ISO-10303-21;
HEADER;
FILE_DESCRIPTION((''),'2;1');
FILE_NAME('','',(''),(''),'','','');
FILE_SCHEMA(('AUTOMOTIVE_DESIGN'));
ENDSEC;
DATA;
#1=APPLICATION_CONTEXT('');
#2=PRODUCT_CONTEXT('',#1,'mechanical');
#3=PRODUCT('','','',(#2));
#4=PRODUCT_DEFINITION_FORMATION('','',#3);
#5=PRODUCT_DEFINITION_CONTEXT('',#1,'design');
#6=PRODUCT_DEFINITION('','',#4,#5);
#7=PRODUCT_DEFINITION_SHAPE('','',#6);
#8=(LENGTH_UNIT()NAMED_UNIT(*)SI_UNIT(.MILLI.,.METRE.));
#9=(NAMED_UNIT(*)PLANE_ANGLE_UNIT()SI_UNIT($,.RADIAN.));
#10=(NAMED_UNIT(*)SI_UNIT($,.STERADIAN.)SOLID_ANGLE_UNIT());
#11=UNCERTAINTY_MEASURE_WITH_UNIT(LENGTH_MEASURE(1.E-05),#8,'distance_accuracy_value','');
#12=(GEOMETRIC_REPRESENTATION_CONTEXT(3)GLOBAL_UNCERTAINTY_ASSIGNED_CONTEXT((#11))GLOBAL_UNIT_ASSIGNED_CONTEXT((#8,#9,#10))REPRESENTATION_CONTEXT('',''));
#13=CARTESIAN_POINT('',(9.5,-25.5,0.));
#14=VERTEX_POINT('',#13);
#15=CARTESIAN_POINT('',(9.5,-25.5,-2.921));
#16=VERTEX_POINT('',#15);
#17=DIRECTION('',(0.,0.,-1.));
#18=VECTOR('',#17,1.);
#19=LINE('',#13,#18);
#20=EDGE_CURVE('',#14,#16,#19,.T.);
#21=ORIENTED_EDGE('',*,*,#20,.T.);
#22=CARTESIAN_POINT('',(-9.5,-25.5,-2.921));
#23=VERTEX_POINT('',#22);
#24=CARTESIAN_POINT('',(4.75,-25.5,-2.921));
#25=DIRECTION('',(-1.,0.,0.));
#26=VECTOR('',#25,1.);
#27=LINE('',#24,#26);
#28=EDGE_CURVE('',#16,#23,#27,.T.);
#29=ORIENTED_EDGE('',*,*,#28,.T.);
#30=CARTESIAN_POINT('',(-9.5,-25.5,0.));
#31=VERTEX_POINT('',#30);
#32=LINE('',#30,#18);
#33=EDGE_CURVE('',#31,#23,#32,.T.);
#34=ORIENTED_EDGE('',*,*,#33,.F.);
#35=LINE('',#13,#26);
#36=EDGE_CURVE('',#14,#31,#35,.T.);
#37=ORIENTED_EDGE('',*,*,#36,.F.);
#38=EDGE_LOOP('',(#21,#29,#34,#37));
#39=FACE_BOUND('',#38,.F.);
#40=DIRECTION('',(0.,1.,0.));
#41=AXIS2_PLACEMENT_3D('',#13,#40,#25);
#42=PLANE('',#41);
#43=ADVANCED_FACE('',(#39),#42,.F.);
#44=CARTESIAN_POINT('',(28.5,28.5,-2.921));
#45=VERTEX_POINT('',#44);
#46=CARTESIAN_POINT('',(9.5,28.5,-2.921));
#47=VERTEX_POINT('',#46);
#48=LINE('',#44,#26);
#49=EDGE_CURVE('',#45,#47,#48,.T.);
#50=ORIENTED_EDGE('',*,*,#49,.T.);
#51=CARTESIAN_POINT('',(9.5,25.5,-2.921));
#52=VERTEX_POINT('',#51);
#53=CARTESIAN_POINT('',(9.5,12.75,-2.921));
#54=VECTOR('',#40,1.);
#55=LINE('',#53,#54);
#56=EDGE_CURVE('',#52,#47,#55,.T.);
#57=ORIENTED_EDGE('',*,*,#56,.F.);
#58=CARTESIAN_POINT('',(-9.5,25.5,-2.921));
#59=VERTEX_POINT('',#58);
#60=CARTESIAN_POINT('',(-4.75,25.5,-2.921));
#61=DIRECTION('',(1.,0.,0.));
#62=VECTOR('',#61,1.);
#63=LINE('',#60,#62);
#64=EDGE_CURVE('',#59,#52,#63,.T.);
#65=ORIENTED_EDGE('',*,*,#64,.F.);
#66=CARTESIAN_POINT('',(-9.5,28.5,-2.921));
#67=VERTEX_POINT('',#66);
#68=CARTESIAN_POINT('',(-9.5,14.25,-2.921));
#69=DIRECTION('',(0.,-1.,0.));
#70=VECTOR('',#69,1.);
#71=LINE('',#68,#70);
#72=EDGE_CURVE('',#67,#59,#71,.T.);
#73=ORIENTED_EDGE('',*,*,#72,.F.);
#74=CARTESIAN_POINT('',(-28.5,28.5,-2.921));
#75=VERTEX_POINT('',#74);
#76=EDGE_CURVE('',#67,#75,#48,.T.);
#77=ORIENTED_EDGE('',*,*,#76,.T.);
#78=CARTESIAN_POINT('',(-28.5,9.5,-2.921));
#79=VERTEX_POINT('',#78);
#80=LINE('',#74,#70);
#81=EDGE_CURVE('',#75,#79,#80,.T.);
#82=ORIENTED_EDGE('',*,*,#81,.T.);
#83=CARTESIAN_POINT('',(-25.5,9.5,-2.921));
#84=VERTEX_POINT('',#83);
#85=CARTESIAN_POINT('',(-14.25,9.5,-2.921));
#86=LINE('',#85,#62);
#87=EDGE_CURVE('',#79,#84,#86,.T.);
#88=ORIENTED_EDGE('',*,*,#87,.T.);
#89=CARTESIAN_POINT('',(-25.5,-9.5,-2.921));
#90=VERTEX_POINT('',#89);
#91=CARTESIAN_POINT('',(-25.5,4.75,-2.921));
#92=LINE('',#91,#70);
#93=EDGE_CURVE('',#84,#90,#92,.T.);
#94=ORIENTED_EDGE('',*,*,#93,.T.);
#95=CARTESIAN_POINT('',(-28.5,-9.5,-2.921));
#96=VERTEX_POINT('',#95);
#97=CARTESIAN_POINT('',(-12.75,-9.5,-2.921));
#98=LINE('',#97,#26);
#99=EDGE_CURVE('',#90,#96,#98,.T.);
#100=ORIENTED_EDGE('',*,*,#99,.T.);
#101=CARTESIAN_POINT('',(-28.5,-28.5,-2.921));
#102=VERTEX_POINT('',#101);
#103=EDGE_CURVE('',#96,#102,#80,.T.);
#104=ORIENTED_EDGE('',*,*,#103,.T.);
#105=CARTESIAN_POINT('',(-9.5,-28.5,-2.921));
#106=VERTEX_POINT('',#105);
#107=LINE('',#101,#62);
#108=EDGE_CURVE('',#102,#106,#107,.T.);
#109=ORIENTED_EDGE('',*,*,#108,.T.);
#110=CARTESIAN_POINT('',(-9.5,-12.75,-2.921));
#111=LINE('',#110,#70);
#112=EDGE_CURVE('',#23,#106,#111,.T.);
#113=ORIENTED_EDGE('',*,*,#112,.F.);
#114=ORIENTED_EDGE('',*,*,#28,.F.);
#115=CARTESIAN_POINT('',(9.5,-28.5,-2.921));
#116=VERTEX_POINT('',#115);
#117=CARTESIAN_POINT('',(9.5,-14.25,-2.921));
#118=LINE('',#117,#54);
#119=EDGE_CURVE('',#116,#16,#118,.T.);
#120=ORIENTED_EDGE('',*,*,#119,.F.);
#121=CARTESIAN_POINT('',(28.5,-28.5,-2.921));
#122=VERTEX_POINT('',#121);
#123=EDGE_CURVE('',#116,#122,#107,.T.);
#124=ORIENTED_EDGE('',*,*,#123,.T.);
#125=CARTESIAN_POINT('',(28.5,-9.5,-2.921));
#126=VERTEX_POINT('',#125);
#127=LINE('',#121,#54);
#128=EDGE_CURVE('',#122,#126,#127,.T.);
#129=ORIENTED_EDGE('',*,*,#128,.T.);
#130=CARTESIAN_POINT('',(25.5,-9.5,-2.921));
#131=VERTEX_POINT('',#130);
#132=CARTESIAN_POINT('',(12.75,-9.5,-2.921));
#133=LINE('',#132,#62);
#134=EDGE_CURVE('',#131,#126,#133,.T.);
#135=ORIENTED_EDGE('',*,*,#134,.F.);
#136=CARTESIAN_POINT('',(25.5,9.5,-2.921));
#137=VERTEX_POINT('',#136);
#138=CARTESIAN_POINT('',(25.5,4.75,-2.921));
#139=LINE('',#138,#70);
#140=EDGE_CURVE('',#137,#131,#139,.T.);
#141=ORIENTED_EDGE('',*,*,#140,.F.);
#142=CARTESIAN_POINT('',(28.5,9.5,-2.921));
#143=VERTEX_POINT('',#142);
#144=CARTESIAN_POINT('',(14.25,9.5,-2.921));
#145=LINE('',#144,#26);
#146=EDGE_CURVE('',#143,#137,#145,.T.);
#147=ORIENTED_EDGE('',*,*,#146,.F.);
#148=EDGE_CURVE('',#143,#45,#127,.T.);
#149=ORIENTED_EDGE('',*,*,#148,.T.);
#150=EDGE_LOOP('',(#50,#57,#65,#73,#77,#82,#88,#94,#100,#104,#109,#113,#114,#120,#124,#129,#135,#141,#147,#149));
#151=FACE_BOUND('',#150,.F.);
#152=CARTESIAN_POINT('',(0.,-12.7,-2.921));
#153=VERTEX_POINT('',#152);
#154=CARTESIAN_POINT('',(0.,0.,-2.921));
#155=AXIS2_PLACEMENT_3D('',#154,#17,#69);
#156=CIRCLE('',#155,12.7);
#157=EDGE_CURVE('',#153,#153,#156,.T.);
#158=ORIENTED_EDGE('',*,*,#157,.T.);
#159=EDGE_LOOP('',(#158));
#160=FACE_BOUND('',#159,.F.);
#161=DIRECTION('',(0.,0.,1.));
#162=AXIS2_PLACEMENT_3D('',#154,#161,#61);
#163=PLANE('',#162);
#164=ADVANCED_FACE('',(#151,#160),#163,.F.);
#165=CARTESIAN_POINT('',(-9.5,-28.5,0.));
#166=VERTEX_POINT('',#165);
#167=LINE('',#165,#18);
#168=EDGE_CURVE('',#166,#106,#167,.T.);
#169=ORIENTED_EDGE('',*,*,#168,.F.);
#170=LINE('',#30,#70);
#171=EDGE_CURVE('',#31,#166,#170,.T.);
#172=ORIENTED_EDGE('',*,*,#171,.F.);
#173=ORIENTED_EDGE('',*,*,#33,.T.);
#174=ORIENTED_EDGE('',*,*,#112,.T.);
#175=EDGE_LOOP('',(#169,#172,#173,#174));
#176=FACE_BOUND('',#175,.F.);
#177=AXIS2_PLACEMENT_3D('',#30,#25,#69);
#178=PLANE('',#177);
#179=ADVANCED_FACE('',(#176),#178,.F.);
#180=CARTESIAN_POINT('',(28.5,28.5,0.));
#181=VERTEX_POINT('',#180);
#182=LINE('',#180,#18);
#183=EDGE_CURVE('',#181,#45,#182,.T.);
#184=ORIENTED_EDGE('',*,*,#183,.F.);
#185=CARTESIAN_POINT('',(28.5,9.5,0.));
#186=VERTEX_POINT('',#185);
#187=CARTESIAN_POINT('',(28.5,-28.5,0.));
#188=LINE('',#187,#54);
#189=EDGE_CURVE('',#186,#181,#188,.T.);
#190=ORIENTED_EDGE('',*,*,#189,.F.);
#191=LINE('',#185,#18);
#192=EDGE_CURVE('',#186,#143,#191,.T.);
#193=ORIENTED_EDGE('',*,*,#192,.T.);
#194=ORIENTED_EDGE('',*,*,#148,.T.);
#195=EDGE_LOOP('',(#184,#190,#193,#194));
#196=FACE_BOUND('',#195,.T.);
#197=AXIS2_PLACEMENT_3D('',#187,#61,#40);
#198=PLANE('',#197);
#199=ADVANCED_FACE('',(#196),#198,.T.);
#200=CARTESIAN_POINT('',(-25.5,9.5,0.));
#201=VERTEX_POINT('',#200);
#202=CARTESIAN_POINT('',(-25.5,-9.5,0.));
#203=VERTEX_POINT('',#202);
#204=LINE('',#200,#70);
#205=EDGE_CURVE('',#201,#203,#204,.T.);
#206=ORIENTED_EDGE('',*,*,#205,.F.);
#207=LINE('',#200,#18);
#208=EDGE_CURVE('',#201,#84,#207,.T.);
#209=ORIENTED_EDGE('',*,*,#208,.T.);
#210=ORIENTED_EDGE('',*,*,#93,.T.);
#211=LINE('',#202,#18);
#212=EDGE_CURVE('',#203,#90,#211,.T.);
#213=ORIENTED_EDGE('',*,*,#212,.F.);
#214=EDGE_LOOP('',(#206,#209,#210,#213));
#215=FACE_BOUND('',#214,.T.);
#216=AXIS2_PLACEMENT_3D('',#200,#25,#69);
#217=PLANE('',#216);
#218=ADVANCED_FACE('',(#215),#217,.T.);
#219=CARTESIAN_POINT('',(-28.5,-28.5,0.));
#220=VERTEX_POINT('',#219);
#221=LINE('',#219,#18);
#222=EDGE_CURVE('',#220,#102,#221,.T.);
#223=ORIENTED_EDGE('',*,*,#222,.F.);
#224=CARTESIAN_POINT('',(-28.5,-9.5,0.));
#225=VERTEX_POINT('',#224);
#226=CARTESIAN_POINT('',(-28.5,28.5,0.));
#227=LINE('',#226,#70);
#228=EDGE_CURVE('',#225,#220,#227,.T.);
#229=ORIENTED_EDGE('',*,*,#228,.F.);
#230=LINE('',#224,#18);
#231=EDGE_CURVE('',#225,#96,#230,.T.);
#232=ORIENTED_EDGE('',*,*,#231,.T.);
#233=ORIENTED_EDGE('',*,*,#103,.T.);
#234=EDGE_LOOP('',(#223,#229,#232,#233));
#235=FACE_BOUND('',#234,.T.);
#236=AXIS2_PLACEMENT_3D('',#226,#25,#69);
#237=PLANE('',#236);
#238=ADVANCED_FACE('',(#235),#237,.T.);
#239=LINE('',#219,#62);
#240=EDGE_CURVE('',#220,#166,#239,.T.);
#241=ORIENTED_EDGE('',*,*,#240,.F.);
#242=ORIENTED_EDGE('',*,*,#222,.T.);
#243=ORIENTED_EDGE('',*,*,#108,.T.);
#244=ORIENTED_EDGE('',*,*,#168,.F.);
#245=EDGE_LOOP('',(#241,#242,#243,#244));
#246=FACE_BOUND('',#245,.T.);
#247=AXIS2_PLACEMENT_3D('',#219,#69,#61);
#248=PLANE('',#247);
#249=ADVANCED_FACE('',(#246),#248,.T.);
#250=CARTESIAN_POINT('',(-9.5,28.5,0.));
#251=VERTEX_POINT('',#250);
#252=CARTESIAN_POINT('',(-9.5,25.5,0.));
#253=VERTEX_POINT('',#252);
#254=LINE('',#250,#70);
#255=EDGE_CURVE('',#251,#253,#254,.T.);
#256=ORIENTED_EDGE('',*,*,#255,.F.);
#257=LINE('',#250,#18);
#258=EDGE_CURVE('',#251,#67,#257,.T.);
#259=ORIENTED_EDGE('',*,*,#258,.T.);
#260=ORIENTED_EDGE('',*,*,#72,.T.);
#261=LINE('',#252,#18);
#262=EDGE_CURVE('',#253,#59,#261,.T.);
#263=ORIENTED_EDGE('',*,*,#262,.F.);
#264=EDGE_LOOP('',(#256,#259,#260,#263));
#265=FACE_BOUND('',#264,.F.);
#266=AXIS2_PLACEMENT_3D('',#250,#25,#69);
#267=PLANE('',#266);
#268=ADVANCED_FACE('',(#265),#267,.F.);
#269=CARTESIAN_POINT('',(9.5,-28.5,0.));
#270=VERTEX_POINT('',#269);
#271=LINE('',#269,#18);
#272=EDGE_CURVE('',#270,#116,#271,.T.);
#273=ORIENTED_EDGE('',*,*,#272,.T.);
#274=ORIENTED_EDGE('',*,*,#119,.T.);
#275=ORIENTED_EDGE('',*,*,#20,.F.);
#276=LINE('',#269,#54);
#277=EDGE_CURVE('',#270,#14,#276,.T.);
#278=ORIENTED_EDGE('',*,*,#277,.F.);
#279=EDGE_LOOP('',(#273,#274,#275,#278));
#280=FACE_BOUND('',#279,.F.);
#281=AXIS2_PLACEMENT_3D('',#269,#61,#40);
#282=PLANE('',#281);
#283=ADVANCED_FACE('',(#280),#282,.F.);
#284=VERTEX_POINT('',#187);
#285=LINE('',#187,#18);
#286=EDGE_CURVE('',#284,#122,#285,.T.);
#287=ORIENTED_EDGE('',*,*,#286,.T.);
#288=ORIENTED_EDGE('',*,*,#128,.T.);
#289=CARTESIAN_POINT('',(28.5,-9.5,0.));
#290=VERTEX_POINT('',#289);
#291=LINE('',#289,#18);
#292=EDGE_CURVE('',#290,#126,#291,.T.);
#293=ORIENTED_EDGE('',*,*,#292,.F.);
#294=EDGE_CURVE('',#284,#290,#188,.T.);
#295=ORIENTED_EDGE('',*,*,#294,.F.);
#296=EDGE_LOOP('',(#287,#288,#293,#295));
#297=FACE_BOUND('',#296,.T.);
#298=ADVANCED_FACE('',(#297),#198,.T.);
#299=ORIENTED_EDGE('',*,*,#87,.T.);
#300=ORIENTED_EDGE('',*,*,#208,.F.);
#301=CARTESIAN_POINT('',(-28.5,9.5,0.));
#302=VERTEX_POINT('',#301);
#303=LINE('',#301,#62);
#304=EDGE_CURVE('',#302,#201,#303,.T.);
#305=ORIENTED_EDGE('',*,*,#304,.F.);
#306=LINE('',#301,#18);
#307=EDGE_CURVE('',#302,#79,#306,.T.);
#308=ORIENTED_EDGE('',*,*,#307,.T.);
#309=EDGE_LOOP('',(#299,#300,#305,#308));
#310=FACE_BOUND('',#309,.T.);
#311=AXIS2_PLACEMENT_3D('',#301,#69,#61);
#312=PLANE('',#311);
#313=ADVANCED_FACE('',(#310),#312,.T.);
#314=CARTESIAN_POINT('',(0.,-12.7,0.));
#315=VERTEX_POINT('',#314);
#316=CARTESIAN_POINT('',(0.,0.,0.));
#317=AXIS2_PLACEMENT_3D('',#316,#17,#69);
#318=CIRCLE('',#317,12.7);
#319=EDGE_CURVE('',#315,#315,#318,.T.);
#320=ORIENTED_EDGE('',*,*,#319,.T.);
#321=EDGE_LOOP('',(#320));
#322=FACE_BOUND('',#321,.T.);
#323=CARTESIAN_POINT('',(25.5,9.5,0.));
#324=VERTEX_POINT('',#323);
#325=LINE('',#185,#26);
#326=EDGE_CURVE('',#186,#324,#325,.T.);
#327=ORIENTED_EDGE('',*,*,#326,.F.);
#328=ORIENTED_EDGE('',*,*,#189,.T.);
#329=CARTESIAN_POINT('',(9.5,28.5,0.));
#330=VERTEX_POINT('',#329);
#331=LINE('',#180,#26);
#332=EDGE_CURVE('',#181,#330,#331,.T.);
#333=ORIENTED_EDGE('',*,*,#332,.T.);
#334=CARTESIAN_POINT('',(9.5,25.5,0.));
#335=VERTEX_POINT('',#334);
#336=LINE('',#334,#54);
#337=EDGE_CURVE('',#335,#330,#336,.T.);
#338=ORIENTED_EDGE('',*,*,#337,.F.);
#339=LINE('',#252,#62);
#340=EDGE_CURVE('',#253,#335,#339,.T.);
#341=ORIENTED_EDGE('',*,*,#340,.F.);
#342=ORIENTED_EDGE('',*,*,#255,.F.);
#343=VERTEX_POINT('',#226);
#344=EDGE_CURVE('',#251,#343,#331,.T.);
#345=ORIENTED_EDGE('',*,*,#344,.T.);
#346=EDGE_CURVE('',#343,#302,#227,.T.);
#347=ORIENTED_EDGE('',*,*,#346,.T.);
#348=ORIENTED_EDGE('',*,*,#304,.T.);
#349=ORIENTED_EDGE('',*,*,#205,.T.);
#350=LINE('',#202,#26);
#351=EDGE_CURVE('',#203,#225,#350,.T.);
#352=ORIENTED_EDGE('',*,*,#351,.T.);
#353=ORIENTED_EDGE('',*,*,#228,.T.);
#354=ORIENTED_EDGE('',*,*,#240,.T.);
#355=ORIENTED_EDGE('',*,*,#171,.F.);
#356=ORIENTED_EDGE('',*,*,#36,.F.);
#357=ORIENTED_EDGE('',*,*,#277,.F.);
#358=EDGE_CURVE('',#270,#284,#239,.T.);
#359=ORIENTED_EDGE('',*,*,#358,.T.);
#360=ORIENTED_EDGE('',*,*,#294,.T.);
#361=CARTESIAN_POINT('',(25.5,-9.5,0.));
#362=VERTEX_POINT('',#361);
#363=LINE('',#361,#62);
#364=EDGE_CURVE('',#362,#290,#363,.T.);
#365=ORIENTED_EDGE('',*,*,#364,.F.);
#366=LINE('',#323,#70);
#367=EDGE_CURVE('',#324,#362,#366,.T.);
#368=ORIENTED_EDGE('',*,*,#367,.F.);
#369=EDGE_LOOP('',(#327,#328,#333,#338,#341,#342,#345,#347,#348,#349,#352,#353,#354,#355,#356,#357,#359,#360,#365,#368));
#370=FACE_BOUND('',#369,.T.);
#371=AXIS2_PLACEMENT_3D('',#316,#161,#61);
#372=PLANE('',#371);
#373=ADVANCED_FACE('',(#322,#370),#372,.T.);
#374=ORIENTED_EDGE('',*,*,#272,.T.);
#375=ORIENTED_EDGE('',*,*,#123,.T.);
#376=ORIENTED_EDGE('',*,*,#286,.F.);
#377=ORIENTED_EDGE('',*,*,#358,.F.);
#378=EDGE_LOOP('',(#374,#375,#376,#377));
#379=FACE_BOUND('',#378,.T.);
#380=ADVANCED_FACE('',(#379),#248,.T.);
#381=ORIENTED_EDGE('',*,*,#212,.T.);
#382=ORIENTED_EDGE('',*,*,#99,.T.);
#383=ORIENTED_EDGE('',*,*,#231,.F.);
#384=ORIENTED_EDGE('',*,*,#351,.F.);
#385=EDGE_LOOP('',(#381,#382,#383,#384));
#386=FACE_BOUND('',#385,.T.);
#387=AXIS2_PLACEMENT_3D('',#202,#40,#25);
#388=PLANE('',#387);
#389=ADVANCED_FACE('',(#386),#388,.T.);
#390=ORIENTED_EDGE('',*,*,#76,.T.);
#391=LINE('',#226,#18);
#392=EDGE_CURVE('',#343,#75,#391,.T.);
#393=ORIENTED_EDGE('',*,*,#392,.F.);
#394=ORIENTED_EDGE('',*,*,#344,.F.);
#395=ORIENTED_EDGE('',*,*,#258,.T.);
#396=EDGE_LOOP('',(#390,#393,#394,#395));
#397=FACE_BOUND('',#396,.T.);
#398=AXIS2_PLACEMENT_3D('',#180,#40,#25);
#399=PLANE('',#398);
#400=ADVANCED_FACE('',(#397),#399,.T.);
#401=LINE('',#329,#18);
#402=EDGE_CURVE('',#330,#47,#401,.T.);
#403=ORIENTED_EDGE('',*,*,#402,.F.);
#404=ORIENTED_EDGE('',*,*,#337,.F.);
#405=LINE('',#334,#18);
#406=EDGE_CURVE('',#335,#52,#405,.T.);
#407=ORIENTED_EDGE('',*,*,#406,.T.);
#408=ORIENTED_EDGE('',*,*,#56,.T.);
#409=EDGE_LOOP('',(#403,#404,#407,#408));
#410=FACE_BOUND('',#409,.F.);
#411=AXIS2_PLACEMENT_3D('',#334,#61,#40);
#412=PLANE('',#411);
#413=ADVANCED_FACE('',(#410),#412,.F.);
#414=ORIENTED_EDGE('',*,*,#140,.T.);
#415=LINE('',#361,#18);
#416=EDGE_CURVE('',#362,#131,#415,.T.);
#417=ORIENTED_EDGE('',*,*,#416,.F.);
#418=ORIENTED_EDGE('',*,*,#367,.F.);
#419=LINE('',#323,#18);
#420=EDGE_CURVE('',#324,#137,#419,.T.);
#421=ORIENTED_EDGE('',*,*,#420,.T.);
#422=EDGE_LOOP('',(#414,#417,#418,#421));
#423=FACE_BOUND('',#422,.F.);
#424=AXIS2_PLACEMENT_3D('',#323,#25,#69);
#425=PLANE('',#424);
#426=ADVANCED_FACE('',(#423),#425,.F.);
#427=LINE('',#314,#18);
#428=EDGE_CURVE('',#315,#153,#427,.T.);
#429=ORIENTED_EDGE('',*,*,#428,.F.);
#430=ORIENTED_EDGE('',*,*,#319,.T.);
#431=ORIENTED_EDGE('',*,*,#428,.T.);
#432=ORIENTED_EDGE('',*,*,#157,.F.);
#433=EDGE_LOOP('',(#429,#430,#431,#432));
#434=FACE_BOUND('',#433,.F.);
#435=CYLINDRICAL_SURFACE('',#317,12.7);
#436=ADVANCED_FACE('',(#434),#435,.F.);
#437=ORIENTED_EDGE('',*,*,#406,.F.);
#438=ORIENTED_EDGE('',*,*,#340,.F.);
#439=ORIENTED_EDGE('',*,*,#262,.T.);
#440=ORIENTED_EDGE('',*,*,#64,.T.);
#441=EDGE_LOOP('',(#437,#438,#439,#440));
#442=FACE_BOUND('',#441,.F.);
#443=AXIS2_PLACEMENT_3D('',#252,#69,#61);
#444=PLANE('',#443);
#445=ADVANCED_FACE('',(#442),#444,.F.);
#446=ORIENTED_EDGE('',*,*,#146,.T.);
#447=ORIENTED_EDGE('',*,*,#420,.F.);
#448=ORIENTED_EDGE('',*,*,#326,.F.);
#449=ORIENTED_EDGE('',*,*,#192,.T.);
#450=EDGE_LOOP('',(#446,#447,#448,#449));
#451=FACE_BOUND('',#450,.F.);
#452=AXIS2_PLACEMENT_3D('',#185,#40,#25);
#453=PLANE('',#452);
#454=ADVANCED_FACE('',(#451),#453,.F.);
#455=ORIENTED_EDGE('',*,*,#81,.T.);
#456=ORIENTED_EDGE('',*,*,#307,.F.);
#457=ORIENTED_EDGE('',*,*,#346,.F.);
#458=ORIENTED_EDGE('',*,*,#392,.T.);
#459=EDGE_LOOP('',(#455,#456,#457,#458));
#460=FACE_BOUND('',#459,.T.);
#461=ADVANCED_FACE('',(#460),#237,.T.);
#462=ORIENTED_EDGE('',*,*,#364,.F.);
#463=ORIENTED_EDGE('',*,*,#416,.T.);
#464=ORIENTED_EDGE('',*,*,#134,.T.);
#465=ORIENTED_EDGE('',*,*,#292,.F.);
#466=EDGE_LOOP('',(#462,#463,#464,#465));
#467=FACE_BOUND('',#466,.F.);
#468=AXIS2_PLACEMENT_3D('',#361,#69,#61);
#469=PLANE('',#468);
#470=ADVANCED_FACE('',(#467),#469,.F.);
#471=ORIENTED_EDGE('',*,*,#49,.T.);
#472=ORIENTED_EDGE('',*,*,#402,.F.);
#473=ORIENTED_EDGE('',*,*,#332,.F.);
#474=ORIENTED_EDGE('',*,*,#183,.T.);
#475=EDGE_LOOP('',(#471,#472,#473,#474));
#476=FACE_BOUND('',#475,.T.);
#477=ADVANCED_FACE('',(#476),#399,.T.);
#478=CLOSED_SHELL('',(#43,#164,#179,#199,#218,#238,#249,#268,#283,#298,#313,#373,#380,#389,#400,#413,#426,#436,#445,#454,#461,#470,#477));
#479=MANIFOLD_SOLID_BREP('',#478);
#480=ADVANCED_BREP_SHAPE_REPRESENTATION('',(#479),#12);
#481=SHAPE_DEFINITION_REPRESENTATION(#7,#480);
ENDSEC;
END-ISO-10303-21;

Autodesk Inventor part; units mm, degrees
ref_plane "YZ Plane" through (0, 0, 0) normal (1, 0, 0) x (0, 1, 0)
ref_plane "XZ Plane" through (0, 0, 0) normal (0, 1, 0) x (-1, 0, 0)
ref_plane "XY Plane" through (0, 0, 0) normal (0, 0, 1) x (1, 0, 0)
sketch "Sketch1" plane through (0, 0, 0) normal (0, 0, 1) x (1, 0, 0)
  line L0 (-28.5, -28.5) -> (28.5, -28.5)
  line L1 (28.5, -28.5) -> (28.5, 28.5)
  line L2 (28.5, 28.5) -> (-28.5, 28.5)
  line L3 (-28.5, 28.5) -> (-28.5, -28.5)
  line L4 (-28.5, -28.5) -> (28.5, 28.5) construction
  line L5 (28.5, -28.5) -> (-28.5, 28.5) construction
  point P0 (0, 0)
  dimension "d0" = 57
  dimension "d1" = 57
extrude "Extrusion1" add sketch "Sketch1" against normal blind 2.921
sketch "Sketch2" plane through (0, 0, 0) normal (0, 0, 1) x (1, 0, 0)
  line L0 (-10.0551, 28.5) -> (-9.5, 28.5)
  line L1 (-9.5, 28.5) -> (-9.5, 25.5)
  line L2 (-9.5, 25.5) -> (9.5, 25.5)
  line L3 (9.5, 25.5) -> (9.5, 28.5)
  line L4 (-9.5, 28.5) -> (9.5, 28.5)
  line L5 (-9.5, -28.5) -> (9.5, -28.5)
  line L6 (9.5, -28.5) -> (9.5, -25.5)
  line L7 (9.5, -25.5) -> (-9.5, -25.5)
  line L8 (-9.5, -25.5) -> (-9.5, -28.5)
  line L9 (-28.5, 9.5) -> (-25.5, 9.5)
  line L10 (-25.5, 9.5) -> (-25.5, -9.5)
  line L11 (-25.5, -9.5) -> (-28.5, -9.5)
  line L12 (-28.5, -9.5) -> (-28.5, 9.5)
  line L13 (28.5, 9.5) -> (25.5, 9.5)
  line L14 (25.5, 9.5) -> (25.5, -9.5)
  line L15 (25.5, -9.5) -> (28.5, -9.5)
  line L16 (28.5, -9.5) -> (28.5, 9.5)
  line L17 (28.5, -28.5) -> (28.5, 28.5) projected
  line L18 (-28.5, 28.5) -> (-28.5, -28.5) projected
  line L19 (-28.5, -28.5) -> (28.5, -28.5) projected
  line L20 (28.5, 28.5) -> (-28.5, 28.5) projected
  line L21 (-28.5, 28.5) -> (-28.5, -28.5) projected
  dimension "d4" = 3
  dimension "d5" = 19
  dimension "d17" = 19
  dimension "d18" = 3
  dimension "d19" = 3
  dimension "d20" = 19
  dimension "d34" = 3
  dimension "d35" = 19
  dimension "d47" = 19
  dimension "d48" = 19
  dimension "d49" = 19
  dimension "d50" = 19
  dimension "d51" = 19
  dimension "d52" = 19
  dimension "d54" = 19
  dimension "d55" = 19
extrude "Extrusion3" cut sketch "Sketch2" against normal blind 25.4 contours L4 L3 L2 L1 | L9 L10 L11 L12 | L16 L15 L14 L13 | L8 L7 L6 L5
hole "Hole1" at (0, 0, 0) direction (0, 0, -1) diameter 25.4 end through all
equation "\"d1\" = d0"
equation "\"d17\" = d5"
equation "\"d18\" = d4"
equation "\"d19\" = d4"
equation "\"d20\" = d5"
equation "\"d34\" = d4"
equation "\"d35\" = d5"
equation "\"d47\" = -0.5 * d5 + 0.5 * d0"
equation "\"d49\" = d47"
equation "\"d50\" = d47"
equation "\"d51\" = d47"
equation "\"d23\" = 0.5 * d0"
equation "\"d53\" = 0.5 * d0"
properties part number "Side A"
